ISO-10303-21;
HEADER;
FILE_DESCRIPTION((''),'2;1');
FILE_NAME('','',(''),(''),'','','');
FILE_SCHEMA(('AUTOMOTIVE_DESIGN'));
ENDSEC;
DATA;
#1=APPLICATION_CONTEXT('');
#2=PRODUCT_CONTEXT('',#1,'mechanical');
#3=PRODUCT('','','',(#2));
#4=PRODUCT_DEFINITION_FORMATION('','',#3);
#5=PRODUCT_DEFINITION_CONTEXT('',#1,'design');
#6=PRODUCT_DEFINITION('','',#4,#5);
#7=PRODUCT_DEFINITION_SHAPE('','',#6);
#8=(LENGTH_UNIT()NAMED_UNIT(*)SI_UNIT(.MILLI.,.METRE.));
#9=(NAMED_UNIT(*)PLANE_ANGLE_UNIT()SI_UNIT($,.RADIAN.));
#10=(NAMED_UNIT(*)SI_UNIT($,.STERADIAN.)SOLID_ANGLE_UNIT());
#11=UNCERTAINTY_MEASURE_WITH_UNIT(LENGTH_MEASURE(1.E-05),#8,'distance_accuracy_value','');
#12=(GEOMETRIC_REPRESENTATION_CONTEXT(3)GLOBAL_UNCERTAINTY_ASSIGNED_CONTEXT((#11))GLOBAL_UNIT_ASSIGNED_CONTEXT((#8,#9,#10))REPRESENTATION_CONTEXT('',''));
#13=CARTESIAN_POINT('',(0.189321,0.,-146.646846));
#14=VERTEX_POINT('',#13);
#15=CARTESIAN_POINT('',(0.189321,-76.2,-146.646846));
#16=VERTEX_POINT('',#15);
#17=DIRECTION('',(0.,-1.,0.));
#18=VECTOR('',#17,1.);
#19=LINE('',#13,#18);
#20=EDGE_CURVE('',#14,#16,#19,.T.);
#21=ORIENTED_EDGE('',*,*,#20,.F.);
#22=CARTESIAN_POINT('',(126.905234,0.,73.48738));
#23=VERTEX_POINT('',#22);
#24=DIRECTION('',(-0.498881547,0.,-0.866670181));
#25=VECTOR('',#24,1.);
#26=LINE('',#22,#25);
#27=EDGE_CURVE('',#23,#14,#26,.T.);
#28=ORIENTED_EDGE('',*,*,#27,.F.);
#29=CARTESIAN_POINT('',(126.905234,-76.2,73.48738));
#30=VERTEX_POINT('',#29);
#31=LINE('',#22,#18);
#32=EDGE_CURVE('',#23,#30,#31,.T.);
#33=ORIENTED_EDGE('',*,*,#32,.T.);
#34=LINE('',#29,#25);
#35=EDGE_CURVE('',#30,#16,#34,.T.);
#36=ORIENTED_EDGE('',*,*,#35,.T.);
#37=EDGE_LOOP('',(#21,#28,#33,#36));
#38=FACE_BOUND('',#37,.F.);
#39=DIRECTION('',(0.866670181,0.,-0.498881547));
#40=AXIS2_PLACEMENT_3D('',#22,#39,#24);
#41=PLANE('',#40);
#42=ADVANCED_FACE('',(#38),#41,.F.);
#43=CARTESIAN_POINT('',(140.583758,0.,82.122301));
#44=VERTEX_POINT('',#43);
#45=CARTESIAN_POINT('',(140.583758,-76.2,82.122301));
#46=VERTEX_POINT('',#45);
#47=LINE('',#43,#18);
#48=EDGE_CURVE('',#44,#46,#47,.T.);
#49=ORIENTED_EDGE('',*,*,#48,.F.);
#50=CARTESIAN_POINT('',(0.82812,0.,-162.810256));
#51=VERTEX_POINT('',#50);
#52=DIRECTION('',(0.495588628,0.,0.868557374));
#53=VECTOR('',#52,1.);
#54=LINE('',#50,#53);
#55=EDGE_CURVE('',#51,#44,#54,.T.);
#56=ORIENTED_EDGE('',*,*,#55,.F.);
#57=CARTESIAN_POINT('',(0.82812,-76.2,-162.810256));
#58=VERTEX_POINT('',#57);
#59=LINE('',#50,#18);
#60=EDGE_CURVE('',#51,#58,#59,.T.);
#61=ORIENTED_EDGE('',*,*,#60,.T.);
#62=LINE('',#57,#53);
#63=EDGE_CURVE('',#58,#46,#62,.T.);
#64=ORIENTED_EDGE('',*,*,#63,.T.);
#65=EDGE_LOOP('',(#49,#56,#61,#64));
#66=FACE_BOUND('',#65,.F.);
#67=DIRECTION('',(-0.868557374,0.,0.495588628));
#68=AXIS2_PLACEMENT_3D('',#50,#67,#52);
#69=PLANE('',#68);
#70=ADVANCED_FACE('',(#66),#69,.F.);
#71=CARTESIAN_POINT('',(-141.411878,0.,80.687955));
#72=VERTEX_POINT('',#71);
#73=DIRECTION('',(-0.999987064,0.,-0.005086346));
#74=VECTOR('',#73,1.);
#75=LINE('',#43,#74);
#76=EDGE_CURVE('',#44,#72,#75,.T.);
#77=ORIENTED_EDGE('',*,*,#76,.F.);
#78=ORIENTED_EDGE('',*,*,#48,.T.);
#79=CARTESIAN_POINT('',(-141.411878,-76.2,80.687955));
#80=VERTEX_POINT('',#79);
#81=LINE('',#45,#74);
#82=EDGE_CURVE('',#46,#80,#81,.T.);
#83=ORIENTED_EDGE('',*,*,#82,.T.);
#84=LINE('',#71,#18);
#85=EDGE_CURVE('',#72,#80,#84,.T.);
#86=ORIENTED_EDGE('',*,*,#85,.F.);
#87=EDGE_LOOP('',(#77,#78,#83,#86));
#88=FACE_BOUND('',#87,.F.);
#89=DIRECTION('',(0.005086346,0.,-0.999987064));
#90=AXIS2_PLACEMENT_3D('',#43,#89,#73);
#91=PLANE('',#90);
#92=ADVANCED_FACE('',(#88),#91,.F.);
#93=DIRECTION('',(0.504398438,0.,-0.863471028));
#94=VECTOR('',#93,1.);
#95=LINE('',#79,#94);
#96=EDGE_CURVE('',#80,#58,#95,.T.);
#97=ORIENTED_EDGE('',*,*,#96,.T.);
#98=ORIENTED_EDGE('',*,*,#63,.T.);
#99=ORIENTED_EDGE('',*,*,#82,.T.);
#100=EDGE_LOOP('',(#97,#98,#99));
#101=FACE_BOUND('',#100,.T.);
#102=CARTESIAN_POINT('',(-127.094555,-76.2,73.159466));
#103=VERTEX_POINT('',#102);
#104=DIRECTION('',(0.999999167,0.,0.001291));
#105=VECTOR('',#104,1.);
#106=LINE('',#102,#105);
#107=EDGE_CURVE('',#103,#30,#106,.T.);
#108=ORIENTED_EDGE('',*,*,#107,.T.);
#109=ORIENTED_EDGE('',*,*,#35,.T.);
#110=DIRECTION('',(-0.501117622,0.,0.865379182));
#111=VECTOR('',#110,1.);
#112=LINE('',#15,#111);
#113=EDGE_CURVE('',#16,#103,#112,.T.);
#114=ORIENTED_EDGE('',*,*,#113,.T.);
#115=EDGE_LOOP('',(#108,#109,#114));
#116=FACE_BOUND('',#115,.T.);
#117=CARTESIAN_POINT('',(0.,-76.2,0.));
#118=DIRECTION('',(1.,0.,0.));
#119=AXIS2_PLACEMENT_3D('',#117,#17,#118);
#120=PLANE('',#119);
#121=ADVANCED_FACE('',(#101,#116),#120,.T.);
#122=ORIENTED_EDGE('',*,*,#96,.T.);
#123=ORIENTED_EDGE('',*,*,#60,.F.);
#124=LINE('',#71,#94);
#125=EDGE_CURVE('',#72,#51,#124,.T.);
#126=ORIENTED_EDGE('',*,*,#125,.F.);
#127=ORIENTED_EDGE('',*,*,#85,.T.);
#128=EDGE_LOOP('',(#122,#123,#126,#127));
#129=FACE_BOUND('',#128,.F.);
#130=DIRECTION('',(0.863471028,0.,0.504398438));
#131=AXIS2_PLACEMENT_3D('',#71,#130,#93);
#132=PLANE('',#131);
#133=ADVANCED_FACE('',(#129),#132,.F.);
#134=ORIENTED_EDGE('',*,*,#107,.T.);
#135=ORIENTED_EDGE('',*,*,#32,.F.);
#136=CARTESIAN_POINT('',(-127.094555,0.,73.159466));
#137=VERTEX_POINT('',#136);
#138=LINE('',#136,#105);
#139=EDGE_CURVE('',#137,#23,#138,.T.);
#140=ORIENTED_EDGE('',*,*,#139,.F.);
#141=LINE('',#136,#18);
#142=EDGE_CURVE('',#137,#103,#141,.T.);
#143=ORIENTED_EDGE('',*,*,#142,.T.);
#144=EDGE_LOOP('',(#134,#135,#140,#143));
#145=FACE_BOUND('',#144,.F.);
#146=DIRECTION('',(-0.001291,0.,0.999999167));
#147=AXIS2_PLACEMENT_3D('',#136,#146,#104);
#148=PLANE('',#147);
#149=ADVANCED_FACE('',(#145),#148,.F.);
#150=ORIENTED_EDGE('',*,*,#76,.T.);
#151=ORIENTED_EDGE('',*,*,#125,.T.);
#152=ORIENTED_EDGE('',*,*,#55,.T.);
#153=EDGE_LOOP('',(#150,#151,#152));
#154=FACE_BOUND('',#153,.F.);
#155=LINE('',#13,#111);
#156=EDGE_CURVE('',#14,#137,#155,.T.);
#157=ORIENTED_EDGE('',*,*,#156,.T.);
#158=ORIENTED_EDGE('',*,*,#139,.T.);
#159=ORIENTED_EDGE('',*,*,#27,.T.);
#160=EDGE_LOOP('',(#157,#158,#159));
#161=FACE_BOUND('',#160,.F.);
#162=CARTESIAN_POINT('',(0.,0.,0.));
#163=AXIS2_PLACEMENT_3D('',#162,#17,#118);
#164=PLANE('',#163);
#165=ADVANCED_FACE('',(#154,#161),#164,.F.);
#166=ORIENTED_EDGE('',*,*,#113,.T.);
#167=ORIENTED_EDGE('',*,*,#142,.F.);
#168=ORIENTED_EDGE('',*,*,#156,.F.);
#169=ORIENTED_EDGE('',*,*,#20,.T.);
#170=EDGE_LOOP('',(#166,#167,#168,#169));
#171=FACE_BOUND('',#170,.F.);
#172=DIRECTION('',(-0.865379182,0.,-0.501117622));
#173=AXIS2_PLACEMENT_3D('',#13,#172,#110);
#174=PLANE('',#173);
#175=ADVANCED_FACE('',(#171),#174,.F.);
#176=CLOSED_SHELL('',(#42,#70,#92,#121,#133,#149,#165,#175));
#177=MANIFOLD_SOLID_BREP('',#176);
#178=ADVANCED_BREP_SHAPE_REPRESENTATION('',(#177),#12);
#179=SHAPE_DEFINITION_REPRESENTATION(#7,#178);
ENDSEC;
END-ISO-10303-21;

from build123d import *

# Parameters (mm, degrees)
F1_DEPTH = 76.2


with BuildPart() as f1:
    # F0 (on Front) → F1 (new body)
    with BuildSketch(Plane.XZ):
        Polygon((0.82812, -162.810256), (140.583758, 82.122301), (-141.411878, 80.687955), align=None)
        Polygon((-127.094555, 73.159466), (126.905234, 73.48738), (0.189321, -146.646846), align=None, mode=Mode.SUBTRACT)
    extrude(amount=F1_DEPTH)


solid = f1.part
